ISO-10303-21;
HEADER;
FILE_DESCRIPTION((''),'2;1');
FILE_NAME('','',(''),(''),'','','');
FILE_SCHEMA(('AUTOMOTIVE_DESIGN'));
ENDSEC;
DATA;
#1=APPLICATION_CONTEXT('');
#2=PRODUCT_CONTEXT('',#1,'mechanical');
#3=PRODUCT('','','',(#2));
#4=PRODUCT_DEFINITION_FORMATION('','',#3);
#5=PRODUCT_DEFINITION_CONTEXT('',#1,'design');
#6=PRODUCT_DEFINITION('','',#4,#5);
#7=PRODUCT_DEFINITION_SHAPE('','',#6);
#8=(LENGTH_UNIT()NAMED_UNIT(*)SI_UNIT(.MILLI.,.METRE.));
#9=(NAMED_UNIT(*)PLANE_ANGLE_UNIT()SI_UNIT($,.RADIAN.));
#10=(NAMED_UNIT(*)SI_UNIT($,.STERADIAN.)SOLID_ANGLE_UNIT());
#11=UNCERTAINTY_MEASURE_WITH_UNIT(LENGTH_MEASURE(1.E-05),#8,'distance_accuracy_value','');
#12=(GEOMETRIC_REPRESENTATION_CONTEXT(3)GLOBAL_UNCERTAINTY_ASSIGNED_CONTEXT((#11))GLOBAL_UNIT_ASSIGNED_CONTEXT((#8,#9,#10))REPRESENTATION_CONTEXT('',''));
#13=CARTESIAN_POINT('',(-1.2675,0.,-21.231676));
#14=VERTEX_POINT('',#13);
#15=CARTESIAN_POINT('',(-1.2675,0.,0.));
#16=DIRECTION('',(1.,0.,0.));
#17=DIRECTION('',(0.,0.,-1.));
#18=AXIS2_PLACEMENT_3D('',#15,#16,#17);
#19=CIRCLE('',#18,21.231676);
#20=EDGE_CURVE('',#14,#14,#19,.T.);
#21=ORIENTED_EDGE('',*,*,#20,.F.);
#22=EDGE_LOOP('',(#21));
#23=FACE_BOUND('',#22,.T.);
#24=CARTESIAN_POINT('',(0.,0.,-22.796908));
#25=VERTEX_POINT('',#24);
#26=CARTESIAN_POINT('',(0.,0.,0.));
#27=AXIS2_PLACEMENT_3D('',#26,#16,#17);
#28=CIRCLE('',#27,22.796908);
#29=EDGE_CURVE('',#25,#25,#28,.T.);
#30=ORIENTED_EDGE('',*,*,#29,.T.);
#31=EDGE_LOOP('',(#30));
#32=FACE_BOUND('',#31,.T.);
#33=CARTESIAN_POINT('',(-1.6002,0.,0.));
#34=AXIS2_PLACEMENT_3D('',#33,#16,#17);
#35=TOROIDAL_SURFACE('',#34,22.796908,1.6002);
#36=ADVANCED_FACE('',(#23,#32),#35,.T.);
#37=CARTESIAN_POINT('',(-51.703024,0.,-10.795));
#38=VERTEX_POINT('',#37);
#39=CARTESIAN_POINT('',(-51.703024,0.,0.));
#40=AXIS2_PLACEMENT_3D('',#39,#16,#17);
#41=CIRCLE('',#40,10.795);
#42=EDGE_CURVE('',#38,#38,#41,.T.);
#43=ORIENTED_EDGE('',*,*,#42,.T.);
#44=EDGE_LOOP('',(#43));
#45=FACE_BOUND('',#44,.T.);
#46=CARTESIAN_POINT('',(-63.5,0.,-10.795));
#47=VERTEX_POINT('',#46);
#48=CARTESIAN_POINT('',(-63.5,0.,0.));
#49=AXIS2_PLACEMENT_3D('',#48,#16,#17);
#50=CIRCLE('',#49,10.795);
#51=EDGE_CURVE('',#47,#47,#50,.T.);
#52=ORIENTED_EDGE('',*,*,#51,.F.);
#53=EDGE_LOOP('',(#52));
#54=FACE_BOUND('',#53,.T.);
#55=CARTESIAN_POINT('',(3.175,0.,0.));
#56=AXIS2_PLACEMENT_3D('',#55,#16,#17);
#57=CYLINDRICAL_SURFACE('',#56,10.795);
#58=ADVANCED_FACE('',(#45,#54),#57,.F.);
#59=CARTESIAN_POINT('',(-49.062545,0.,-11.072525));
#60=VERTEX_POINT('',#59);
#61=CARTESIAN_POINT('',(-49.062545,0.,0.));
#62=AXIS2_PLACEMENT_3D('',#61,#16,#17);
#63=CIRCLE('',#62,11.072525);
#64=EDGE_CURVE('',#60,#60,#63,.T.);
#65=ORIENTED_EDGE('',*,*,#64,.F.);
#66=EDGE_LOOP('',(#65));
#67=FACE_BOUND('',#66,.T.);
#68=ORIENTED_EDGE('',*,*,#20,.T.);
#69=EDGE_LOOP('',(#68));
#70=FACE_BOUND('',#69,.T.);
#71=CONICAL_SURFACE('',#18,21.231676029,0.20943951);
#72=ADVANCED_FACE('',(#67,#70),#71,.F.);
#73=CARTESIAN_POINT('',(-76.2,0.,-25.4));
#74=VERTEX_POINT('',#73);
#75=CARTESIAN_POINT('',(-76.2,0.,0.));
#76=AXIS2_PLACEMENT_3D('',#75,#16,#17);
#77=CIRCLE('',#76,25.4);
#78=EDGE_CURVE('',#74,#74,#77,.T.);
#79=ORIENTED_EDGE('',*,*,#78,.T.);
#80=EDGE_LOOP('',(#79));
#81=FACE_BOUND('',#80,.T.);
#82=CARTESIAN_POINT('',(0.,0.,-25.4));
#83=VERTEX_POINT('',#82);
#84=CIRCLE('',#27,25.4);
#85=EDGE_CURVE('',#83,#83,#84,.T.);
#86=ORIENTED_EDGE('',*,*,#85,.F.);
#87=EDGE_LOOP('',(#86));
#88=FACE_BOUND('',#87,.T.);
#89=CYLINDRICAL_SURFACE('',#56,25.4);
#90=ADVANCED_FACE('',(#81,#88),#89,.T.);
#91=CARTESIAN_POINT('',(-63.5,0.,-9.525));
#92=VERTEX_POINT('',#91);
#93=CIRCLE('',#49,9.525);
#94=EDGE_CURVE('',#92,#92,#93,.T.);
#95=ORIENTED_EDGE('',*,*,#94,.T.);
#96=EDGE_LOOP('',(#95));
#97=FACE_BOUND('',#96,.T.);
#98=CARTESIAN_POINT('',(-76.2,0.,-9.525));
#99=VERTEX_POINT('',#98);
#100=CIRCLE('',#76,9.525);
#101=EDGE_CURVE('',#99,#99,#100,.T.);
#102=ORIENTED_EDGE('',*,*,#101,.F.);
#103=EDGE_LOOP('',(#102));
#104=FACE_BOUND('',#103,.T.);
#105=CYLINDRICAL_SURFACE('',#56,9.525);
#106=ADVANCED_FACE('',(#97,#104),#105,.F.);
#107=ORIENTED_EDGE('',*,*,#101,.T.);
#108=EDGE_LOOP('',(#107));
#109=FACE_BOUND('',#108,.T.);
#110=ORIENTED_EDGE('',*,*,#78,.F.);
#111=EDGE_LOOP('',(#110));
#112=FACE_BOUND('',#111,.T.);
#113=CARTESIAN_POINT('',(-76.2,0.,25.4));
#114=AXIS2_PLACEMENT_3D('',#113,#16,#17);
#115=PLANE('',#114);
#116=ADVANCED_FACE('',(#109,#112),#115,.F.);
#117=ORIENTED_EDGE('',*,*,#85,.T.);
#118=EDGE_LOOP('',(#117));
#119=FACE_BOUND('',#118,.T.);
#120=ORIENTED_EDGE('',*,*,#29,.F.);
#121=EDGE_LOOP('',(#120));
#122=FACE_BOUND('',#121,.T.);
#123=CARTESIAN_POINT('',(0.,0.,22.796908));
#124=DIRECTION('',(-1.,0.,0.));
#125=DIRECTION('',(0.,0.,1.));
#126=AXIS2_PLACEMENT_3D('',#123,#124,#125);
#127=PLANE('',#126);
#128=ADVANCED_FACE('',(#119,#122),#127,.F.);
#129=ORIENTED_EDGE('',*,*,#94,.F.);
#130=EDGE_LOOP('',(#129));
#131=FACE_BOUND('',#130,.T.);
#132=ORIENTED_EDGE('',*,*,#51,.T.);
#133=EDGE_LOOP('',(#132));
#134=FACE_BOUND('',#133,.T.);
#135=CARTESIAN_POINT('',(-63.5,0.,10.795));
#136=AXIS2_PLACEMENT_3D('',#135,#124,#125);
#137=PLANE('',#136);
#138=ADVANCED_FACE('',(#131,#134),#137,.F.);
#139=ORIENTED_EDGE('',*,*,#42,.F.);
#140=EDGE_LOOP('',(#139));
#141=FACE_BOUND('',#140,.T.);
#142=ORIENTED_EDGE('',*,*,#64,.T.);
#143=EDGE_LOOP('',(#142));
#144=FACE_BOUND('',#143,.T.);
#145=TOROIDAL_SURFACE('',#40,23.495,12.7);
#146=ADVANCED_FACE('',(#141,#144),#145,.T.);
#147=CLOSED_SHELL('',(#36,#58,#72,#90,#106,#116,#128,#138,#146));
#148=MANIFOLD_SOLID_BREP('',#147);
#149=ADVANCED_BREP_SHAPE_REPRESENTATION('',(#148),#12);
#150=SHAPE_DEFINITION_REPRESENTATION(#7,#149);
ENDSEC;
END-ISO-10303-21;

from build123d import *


with BuildPart() as part:
    # Sketch1 → Revolve1 (revolve)
    with BuildSketch(Plane(origin=(0, 0, 0), x_dir=(1, 0, 0), z_dir=(0, 1, 0))):
        with BuildLine():
            Line((-1.267499712, -21.231676029), (-49.062545314, -11.072525471))
            ThreePointArc((-49.062545314, -11.072525471), (-50.375512304, -10.864571929), (-51.703023788, -10.795))
            Line((-51.703023788, -10.795), (-63.5, -10.795))
            Line((-63.5, -10.795), (-63.5, -9.525))
            Line((-63.5, -9.525), (-76.2, -9.525))
            Line((-76.2, -9.525), (-76.2, -25.4))
            Line((-76.2, -25.4), (0, -25.4))
            Line((0, -25.4), (0, -22.796907819))
            ThreePointArc((0, -22.796907819), (-0.356611032, -21.78986933), (-1.267499712, -21.231676029))
        make_face()
    revolve(axis=Axis((3.175, 0, 0), (-1, 0, 0)))


solid = part.part
